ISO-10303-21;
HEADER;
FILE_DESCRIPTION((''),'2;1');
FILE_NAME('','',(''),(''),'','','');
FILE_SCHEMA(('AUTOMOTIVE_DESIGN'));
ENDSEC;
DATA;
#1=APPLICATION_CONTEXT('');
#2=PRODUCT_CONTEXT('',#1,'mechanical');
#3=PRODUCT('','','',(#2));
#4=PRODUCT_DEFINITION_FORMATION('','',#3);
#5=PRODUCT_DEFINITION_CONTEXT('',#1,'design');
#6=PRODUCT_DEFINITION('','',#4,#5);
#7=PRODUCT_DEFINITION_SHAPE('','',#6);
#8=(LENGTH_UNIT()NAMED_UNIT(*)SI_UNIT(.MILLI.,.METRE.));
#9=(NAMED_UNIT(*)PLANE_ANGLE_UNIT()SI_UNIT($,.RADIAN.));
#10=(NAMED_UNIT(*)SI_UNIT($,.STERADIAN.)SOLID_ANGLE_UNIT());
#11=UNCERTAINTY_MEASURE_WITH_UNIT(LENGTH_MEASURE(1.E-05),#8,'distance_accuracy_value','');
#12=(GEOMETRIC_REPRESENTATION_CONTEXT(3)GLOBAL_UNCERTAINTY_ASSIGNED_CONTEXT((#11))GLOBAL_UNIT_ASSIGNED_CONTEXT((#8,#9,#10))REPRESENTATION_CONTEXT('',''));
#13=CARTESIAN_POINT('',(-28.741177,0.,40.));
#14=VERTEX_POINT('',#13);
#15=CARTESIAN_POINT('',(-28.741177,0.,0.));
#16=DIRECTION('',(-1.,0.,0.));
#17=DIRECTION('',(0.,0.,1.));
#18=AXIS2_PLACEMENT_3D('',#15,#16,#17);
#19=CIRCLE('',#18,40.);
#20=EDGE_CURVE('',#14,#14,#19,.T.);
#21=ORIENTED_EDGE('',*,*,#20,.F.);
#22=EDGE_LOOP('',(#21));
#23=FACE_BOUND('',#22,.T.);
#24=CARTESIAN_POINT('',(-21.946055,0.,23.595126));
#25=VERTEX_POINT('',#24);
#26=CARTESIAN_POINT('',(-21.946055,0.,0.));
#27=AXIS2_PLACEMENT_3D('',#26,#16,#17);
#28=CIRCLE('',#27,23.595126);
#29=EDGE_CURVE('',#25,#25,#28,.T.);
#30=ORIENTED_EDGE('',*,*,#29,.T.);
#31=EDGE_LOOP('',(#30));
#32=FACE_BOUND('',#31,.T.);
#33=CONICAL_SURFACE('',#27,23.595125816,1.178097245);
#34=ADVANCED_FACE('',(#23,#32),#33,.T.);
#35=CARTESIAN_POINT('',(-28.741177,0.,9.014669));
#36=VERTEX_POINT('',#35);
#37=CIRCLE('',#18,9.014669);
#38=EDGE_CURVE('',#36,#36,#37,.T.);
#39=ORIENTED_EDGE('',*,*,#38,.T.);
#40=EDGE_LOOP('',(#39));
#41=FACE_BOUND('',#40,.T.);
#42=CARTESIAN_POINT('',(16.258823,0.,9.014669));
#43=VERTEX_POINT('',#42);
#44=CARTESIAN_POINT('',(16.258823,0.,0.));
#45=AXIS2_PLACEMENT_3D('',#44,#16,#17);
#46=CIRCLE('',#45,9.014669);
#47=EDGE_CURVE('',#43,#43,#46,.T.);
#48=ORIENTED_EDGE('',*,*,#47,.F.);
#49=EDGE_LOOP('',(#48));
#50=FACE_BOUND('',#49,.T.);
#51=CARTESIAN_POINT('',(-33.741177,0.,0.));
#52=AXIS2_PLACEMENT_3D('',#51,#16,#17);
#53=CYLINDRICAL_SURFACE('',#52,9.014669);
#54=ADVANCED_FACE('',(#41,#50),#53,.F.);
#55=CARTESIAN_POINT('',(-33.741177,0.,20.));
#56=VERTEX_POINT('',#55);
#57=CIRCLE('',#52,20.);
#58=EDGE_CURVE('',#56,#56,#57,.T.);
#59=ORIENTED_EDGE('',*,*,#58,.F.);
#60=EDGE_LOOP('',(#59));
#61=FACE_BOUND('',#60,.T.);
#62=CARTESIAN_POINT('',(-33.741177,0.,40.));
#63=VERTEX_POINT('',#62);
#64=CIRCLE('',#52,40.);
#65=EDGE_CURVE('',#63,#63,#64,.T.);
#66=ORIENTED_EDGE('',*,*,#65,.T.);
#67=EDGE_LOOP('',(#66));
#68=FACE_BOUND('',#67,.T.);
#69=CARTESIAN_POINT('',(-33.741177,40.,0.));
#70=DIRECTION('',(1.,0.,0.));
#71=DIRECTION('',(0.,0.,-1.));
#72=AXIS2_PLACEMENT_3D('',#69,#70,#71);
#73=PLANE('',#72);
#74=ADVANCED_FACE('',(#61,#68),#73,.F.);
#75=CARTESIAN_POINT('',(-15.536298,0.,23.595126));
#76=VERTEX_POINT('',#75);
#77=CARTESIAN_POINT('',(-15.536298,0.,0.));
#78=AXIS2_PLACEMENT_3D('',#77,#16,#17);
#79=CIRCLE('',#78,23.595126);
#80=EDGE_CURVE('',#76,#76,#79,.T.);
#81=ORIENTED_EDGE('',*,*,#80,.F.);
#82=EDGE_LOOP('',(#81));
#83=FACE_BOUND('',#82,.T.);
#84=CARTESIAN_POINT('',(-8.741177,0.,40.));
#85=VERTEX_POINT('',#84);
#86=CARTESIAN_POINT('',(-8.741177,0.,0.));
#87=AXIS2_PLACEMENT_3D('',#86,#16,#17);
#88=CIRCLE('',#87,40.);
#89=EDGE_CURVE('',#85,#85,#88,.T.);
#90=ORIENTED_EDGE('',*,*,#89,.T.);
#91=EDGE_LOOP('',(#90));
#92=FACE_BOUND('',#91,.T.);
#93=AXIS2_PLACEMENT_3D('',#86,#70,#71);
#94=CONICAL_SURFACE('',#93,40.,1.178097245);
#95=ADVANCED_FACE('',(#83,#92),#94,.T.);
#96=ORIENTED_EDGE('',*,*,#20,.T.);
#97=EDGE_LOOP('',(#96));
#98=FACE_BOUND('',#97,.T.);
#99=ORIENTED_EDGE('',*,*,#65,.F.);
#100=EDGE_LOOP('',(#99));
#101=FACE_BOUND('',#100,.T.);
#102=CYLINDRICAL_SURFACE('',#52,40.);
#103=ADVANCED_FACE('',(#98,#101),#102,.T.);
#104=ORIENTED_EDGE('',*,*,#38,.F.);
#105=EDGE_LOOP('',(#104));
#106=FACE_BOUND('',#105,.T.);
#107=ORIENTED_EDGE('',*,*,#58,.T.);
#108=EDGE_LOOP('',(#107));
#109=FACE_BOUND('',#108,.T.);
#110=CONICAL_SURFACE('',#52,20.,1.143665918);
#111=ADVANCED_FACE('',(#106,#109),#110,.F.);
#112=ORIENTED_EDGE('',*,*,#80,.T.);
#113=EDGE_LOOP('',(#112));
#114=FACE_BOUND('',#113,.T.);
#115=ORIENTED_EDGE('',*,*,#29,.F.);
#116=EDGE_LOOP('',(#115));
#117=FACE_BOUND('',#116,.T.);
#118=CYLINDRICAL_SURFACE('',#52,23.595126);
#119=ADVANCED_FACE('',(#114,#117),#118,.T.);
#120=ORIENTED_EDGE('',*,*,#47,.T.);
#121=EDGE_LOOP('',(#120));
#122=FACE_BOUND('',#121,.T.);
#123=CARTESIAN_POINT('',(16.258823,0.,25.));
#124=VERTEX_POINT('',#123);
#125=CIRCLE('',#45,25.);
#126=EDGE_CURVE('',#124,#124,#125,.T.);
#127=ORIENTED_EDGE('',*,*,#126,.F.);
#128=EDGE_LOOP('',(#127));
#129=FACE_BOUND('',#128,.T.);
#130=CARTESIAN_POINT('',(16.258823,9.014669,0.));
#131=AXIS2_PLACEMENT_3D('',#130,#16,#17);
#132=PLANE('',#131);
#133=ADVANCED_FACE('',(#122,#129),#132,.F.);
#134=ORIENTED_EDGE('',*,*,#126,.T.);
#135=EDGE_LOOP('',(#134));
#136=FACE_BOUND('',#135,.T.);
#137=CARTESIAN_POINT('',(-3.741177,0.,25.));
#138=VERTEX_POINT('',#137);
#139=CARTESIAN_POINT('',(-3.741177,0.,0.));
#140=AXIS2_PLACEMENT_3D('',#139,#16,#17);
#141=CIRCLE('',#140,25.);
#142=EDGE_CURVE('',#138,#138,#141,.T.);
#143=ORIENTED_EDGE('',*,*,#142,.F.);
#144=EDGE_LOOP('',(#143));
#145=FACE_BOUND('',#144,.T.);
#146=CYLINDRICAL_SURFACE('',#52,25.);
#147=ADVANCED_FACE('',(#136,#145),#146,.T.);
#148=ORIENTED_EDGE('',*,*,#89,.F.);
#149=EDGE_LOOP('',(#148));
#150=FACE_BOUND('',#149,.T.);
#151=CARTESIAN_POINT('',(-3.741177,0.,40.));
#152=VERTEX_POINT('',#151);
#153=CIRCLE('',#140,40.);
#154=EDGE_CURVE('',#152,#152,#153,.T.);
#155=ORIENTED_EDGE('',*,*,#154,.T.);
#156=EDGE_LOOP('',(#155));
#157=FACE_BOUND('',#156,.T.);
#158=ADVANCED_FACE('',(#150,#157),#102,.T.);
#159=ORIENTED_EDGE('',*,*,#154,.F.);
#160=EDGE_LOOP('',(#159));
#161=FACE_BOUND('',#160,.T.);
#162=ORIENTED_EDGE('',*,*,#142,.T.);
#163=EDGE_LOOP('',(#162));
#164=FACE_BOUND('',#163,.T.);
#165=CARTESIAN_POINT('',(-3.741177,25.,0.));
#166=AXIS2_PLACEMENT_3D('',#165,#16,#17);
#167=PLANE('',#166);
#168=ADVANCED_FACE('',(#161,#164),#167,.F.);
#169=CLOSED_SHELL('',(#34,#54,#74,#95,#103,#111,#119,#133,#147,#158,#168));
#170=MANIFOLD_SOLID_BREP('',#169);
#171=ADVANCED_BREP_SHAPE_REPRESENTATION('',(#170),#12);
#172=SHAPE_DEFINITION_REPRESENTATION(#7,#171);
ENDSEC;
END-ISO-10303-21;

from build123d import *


with BuildPart() as part:
    # Sketch1 → Revolve1 (revolve)
    with BuildSketch(Plane.XY, mode=Mode.PRIVATE) as revolve1_sk:
        Polygon((-28.74117678, 9.014668907), (16.25882322, 9.014668907), (16.25882322, 25), (-3.74117678, 25), (-3.74117678, 40), (-8.74117678, 40), (-15.536298156, 23.595125816), (-21.946055404, 23.595125816), (-28.74117678, 40), (-33.74117678, 40), (-33.74117678, 20), align=None)
    revolve(revolve1_sk.sketch.rotate(Axis((-33.74117678, 0, 0), (1, 0, 0)), 90), axis=Axis((-33.74117678, 0, 0), (1, 0, 0)))


solid = part.part
